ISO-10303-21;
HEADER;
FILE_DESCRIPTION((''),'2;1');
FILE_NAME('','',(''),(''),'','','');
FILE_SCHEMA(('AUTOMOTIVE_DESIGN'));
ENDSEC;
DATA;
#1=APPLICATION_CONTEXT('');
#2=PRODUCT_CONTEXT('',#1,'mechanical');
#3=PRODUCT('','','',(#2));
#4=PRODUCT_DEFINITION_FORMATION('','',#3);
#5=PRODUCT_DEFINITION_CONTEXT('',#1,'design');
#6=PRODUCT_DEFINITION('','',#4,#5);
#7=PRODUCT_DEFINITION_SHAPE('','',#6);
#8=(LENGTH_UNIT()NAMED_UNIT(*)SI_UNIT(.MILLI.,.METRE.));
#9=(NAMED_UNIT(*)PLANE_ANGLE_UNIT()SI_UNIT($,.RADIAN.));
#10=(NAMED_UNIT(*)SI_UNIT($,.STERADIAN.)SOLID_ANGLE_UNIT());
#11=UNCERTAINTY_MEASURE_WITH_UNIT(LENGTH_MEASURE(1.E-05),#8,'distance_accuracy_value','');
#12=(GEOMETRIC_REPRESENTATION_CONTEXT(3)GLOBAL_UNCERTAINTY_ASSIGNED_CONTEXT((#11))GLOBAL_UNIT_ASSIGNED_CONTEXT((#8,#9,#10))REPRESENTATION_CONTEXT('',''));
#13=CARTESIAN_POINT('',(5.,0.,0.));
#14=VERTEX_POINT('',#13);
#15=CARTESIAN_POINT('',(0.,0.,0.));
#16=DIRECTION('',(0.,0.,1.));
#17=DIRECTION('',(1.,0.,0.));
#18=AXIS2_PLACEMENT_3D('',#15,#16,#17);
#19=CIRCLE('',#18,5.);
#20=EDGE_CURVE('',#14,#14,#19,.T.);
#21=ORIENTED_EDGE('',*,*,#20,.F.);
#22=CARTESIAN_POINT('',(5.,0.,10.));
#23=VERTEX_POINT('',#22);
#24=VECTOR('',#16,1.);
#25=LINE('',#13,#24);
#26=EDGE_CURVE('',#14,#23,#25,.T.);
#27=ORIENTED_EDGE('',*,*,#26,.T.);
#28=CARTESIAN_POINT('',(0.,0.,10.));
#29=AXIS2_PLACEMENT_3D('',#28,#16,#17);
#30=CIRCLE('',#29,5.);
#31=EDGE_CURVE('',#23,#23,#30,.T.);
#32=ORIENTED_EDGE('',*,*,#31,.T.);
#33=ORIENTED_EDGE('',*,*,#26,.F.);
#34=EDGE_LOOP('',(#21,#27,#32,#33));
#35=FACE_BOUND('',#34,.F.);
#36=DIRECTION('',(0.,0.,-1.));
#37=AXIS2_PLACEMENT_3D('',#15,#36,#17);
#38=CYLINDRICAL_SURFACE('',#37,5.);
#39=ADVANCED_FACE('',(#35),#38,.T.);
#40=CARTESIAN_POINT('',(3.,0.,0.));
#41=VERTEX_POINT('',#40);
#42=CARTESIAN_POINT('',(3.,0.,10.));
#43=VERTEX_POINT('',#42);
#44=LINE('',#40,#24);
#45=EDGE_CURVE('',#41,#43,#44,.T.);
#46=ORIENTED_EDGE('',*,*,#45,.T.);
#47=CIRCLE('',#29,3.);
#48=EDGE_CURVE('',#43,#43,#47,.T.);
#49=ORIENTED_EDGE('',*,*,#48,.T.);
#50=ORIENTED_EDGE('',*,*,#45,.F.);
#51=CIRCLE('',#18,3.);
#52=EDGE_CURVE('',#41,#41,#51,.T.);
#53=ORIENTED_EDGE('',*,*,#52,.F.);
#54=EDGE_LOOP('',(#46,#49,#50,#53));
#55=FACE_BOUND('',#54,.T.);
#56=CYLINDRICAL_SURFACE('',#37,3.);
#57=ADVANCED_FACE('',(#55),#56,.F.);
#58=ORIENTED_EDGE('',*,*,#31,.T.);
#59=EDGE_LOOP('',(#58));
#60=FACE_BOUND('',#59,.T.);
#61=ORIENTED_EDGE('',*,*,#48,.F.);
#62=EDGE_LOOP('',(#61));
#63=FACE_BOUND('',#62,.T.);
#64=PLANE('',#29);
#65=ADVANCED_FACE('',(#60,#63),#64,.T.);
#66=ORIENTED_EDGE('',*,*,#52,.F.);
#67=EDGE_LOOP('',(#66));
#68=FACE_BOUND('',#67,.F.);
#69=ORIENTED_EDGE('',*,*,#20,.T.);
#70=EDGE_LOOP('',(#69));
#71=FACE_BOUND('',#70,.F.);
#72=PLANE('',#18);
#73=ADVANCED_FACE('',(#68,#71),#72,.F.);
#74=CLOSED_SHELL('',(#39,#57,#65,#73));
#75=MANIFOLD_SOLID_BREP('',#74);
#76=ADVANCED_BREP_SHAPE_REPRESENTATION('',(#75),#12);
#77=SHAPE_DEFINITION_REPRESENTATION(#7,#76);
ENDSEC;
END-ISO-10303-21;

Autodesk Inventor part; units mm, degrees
ref_plane "YZ Plane" through (0, 0, 0) normal (1, 0, 0) x (0, 1, 0)
ref_plane "XZ Plane" through (0, 0, 0) normal (0, 1, 0) x (-1, 0, 0)
ref_plane "XY Plane" through (0, 0, 0) normal (0, 0, 1) x (1, 0, 0)
sketch "Sketch1" plane through (0, 0, 0) normal (0, 0, 1) x (1, 0, 0)
  circle A0 centre (0, 0) radius 3
  circle A1 centre (0, 0) radius 5
  dimension "d0" = 10
  dimension "d1" = 6
extrude "Extrusion1" add sketch "Sketch1" along normal blind 10
properties part number "Ceramic-Cylinder-10x6x10" material "Polystyrene"
